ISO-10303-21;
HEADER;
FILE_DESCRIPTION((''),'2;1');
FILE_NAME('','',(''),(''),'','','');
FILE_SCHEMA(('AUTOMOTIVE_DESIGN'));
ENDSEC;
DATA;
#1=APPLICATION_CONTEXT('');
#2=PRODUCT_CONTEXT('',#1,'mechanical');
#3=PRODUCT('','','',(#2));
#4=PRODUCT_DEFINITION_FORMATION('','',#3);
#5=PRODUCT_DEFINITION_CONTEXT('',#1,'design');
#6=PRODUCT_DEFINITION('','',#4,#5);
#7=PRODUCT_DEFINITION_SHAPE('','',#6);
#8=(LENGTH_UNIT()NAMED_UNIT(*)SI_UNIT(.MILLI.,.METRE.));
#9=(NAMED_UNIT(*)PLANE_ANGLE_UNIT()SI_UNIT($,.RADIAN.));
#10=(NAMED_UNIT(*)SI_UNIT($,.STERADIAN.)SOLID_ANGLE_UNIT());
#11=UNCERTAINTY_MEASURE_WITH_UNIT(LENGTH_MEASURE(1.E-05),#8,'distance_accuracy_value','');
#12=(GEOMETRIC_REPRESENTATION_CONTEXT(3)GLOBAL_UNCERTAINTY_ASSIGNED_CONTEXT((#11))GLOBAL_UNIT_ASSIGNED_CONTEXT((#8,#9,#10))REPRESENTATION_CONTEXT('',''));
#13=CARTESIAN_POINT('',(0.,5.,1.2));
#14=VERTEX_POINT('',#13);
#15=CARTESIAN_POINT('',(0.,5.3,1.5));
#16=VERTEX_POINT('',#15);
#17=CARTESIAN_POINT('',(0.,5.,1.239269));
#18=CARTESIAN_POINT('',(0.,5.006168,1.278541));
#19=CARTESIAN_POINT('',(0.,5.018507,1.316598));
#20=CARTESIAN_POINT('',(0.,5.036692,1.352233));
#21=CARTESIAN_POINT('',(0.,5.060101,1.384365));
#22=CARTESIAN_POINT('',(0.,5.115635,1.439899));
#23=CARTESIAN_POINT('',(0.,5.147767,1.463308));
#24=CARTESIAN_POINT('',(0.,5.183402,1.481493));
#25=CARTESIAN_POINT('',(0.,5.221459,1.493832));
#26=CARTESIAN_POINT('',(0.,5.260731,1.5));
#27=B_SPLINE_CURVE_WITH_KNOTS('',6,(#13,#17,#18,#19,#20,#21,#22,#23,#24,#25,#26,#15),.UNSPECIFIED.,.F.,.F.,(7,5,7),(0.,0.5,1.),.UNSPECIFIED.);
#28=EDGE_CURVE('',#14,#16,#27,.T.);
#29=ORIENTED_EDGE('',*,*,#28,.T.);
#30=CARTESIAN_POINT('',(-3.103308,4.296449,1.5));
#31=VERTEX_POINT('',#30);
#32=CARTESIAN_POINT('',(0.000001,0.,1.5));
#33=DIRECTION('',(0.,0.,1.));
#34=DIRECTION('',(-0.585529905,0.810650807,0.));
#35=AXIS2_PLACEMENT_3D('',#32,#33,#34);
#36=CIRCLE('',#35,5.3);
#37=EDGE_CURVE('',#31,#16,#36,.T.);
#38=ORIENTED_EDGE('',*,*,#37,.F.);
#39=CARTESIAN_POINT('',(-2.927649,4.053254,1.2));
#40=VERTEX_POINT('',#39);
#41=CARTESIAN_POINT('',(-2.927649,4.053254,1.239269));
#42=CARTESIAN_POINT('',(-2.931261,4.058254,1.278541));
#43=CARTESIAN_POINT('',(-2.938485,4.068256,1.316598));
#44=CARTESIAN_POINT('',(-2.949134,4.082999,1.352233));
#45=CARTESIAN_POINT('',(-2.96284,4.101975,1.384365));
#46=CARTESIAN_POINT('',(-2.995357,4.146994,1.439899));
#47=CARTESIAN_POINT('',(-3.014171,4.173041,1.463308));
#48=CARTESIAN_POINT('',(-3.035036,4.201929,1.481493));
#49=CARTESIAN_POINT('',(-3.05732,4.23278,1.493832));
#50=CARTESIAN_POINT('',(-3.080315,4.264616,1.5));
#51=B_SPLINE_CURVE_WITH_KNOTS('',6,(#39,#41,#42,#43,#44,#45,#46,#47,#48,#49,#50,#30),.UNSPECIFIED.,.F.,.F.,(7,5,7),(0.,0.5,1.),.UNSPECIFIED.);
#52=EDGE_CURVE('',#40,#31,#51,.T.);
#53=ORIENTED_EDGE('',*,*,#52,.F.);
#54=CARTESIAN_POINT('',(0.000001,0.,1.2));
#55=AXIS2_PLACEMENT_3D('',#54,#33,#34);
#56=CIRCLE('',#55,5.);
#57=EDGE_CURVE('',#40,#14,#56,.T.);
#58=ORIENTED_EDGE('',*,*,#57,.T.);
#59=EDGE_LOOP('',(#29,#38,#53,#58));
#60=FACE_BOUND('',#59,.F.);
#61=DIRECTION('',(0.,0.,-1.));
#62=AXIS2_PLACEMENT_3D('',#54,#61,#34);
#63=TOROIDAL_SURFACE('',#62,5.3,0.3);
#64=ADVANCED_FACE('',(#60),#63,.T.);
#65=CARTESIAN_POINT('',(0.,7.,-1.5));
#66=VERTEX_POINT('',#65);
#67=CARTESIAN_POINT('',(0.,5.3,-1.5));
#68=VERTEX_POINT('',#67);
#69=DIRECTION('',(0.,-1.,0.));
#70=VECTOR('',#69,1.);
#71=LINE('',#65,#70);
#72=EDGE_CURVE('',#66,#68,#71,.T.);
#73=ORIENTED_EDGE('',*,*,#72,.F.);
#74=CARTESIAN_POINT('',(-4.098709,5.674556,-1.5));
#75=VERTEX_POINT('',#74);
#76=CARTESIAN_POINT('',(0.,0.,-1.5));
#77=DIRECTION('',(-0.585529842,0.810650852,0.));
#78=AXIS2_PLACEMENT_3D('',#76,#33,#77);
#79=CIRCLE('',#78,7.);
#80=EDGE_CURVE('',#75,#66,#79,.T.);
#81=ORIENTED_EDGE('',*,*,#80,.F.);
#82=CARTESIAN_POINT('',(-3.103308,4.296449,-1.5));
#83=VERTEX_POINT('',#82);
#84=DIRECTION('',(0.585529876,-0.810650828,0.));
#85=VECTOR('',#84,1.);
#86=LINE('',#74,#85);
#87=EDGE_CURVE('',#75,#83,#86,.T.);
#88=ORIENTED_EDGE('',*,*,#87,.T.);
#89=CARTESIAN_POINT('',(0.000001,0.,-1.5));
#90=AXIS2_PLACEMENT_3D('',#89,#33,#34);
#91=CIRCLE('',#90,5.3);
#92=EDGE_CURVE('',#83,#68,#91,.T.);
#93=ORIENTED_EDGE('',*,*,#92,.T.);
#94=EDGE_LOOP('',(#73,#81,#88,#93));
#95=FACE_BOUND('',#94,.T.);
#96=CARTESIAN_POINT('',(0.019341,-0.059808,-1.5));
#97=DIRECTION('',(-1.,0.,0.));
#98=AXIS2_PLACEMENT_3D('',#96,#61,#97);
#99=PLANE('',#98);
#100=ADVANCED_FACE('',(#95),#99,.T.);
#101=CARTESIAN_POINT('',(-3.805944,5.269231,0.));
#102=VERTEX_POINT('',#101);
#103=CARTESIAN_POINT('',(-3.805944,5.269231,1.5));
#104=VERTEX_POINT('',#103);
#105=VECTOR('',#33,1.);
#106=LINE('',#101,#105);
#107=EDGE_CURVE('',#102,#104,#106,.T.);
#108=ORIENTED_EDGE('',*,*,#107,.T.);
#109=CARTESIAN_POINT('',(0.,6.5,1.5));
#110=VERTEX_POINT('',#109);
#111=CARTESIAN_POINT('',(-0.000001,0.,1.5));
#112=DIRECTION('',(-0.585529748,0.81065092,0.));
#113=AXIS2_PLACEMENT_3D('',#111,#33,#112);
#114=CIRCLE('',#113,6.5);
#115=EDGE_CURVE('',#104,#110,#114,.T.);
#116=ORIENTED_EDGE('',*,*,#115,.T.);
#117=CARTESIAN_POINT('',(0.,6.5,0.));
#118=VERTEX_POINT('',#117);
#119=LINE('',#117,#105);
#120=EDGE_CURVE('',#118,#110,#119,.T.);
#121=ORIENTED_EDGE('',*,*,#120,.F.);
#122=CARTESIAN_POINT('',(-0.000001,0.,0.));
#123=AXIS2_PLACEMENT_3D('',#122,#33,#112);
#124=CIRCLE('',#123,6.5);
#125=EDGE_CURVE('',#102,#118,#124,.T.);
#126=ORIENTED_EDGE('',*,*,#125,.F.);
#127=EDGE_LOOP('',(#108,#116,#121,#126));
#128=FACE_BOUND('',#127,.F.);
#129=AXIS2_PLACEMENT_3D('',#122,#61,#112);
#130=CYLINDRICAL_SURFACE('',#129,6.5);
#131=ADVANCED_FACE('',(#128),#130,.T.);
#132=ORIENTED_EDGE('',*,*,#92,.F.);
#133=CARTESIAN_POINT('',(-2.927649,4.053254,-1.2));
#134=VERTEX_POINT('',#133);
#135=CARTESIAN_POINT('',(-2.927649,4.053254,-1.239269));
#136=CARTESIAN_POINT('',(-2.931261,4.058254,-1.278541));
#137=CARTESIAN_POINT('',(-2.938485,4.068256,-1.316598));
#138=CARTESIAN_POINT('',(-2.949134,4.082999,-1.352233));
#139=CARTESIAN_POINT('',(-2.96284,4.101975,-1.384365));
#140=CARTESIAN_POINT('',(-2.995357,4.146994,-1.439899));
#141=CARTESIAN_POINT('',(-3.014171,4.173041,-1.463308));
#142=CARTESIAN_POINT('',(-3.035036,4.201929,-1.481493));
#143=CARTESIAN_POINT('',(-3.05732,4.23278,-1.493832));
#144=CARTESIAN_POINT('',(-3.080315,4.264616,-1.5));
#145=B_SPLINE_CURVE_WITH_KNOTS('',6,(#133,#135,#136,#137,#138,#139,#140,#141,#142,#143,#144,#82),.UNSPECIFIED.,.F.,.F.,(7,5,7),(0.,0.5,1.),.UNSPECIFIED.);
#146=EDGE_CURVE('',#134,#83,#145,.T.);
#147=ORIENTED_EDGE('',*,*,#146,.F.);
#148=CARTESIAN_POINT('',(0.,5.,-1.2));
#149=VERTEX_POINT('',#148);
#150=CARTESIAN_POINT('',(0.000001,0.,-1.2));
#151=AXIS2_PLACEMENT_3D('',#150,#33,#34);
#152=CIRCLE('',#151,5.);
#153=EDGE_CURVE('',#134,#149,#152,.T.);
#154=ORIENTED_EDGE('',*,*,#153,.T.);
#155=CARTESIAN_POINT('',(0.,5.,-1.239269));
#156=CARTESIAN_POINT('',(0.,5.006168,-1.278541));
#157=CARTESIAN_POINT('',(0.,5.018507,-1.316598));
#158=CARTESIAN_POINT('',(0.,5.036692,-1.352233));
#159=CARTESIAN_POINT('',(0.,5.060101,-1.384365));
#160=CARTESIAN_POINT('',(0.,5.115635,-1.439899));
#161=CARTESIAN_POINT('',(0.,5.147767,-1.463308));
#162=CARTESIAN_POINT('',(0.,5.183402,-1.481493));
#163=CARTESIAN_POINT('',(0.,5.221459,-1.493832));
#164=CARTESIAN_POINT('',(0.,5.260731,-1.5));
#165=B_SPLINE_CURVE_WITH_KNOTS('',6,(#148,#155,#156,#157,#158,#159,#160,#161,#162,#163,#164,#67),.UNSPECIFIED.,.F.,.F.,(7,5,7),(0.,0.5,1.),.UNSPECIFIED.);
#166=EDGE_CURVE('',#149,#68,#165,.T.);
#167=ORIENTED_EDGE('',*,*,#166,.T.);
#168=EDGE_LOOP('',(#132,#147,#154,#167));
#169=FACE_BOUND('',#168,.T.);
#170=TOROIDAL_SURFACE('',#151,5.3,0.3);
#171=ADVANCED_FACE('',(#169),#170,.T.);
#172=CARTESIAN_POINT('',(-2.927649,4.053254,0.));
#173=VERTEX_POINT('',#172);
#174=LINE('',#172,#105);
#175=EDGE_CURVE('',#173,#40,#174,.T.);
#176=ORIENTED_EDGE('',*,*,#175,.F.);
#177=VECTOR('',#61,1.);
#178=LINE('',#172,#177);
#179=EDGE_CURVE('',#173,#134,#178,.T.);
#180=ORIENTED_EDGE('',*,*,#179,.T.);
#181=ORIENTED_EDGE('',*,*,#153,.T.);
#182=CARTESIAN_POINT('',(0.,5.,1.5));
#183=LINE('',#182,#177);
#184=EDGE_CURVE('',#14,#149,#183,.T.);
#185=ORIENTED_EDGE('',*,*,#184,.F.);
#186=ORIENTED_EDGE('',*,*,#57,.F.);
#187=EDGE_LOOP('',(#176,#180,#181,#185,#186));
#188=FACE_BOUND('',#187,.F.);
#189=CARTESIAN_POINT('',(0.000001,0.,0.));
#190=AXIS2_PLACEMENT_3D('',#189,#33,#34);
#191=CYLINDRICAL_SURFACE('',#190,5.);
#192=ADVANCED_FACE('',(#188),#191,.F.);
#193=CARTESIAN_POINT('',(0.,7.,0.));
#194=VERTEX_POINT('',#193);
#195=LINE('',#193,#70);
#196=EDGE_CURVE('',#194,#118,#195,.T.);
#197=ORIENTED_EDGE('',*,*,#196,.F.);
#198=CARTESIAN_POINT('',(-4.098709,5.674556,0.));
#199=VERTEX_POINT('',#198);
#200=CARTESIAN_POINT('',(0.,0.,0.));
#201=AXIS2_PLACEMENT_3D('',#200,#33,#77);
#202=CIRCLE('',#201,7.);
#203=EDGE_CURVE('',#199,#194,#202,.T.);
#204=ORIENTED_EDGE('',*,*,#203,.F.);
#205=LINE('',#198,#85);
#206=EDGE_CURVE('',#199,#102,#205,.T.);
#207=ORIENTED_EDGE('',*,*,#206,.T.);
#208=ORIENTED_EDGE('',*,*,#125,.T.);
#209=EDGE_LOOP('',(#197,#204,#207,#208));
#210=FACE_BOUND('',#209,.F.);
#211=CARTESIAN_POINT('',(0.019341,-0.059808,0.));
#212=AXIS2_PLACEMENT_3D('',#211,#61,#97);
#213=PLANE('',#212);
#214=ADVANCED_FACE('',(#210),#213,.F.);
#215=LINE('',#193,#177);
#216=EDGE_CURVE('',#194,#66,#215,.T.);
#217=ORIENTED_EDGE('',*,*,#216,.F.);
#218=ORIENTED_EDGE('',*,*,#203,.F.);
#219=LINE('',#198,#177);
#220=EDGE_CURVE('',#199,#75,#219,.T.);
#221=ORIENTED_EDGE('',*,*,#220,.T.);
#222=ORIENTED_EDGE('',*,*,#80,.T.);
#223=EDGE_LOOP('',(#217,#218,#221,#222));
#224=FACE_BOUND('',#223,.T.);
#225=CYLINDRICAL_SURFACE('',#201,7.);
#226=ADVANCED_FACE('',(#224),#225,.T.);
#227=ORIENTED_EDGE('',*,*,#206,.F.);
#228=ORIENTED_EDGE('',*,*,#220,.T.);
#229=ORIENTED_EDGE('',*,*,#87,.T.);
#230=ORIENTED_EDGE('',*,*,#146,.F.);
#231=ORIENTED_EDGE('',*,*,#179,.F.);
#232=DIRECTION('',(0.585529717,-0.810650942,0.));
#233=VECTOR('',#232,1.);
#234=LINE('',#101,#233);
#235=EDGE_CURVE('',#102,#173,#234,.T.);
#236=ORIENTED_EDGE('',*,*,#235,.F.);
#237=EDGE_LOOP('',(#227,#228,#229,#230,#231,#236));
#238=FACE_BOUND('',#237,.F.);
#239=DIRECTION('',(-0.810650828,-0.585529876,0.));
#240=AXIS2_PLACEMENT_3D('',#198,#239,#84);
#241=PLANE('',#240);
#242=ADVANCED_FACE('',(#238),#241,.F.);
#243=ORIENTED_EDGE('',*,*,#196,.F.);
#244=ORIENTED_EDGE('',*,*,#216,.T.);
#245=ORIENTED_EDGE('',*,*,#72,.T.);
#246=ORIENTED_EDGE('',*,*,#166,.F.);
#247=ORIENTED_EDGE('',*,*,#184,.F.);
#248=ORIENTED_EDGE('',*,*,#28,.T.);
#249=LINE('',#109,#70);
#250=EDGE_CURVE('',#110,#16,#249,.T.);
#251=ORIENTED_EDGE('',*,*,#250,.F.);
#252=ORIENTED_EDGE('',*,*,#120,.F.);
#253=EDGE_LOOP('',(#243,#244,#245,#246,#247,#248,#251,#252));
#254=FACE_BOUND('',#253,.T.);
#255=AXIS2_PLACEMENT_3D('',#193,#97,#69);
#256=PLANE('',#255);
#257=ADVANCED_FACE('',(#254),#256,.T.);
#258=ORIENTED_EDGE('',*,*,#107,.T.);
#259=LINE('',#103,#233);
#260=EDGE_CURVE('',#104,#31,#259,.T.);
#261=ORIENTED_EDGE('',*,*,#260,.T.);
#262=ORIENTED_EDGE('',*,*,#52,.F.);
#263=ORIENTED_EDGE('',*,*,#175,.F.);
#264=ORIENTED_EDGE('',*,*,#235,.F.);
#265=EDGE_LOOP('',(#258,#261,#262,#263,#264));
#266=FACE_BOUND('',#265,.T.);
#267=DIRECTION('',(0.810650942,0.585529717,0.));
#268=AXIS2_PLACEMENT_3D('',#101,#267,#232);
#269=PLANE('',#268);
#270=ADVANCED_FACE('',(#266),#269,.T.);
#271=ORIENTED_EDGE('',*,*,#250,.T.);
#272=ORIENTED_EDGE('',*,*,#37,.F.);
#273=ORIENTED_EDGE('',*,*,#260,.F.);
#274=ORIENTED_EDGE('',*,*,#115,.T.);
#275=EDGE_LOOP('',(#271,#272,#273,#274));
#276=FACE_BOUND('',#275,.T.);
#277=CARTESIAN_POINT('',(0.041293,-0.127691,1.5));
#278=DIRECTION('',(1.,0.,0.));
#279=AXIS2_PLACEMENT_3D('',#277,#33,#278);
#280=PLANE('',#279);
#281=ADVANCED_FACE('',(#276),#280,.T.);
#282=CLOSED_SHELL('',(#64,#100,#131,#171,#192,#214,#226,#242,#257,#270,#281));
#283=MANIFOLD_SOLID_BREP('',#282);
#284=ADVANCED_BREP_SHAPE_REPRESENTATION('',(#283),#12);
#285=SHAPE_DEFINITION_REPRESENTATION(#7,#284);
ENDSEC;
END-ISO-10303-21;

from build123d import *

# Parameters (mm, degrees)
PAD_DEPTH    = 1.5
PAD001_DEPTH = 1.5
FILLET_R     = 0.3
FILLET001_R  = 0.3


with BuildPart() as part:
    # Sketch → Pad (new body)
    with BuildSketch(Plane.XY):
        with BuildLine():
            ThreePointArc((-3.805944, 5.269231), (2, -6.184658), (0, 6.5))
            Line((0, 6.5), (0, 5))
            ThreePointArc((-2.927649, 4.053254), (1.538462, -4.75743), (0, 5))
            Line((-3.805944, 5.269231), (-2.927649, 4.053254))
        make_face()
    extrude(amount=PAD_DEPTH)

    # Sketch001 (on Face6 of Pad) → Pad001 (join)
    with BuildSketch(Plane.XY):
        with BuildLine():
            ThreePointArc((-2.927649, 4.053254), (1.538462, -4.75743), (0, 5))
            Line((0, 7), (0, 5))
            ThreePointArc((-4.098709, 5.674556), (2.153846, -6.660401), (0, 7))
            Line((-4.098709, 5.674556), (-2.927649, 4.053254))
        make_face()
    extrude(amount=-PAD001_DEPTH)

    # Fillet
    fillet_edges = [part.edges().sort_by_distance(p)[0] for p in [
        (1.538462, -4.75743, 1.5),
    ]]
    fillet(fillet_edges, radius=FILLET_R)

    # Fillet001
    fillet001_edges = [part.edges().sort_by_distance(p)[0] for p in [
        (1.538462, -4.75743, -1.5),
    ]]
    fillet(fillet001_edges, radius=FILLET001_R)


solid = part.part
